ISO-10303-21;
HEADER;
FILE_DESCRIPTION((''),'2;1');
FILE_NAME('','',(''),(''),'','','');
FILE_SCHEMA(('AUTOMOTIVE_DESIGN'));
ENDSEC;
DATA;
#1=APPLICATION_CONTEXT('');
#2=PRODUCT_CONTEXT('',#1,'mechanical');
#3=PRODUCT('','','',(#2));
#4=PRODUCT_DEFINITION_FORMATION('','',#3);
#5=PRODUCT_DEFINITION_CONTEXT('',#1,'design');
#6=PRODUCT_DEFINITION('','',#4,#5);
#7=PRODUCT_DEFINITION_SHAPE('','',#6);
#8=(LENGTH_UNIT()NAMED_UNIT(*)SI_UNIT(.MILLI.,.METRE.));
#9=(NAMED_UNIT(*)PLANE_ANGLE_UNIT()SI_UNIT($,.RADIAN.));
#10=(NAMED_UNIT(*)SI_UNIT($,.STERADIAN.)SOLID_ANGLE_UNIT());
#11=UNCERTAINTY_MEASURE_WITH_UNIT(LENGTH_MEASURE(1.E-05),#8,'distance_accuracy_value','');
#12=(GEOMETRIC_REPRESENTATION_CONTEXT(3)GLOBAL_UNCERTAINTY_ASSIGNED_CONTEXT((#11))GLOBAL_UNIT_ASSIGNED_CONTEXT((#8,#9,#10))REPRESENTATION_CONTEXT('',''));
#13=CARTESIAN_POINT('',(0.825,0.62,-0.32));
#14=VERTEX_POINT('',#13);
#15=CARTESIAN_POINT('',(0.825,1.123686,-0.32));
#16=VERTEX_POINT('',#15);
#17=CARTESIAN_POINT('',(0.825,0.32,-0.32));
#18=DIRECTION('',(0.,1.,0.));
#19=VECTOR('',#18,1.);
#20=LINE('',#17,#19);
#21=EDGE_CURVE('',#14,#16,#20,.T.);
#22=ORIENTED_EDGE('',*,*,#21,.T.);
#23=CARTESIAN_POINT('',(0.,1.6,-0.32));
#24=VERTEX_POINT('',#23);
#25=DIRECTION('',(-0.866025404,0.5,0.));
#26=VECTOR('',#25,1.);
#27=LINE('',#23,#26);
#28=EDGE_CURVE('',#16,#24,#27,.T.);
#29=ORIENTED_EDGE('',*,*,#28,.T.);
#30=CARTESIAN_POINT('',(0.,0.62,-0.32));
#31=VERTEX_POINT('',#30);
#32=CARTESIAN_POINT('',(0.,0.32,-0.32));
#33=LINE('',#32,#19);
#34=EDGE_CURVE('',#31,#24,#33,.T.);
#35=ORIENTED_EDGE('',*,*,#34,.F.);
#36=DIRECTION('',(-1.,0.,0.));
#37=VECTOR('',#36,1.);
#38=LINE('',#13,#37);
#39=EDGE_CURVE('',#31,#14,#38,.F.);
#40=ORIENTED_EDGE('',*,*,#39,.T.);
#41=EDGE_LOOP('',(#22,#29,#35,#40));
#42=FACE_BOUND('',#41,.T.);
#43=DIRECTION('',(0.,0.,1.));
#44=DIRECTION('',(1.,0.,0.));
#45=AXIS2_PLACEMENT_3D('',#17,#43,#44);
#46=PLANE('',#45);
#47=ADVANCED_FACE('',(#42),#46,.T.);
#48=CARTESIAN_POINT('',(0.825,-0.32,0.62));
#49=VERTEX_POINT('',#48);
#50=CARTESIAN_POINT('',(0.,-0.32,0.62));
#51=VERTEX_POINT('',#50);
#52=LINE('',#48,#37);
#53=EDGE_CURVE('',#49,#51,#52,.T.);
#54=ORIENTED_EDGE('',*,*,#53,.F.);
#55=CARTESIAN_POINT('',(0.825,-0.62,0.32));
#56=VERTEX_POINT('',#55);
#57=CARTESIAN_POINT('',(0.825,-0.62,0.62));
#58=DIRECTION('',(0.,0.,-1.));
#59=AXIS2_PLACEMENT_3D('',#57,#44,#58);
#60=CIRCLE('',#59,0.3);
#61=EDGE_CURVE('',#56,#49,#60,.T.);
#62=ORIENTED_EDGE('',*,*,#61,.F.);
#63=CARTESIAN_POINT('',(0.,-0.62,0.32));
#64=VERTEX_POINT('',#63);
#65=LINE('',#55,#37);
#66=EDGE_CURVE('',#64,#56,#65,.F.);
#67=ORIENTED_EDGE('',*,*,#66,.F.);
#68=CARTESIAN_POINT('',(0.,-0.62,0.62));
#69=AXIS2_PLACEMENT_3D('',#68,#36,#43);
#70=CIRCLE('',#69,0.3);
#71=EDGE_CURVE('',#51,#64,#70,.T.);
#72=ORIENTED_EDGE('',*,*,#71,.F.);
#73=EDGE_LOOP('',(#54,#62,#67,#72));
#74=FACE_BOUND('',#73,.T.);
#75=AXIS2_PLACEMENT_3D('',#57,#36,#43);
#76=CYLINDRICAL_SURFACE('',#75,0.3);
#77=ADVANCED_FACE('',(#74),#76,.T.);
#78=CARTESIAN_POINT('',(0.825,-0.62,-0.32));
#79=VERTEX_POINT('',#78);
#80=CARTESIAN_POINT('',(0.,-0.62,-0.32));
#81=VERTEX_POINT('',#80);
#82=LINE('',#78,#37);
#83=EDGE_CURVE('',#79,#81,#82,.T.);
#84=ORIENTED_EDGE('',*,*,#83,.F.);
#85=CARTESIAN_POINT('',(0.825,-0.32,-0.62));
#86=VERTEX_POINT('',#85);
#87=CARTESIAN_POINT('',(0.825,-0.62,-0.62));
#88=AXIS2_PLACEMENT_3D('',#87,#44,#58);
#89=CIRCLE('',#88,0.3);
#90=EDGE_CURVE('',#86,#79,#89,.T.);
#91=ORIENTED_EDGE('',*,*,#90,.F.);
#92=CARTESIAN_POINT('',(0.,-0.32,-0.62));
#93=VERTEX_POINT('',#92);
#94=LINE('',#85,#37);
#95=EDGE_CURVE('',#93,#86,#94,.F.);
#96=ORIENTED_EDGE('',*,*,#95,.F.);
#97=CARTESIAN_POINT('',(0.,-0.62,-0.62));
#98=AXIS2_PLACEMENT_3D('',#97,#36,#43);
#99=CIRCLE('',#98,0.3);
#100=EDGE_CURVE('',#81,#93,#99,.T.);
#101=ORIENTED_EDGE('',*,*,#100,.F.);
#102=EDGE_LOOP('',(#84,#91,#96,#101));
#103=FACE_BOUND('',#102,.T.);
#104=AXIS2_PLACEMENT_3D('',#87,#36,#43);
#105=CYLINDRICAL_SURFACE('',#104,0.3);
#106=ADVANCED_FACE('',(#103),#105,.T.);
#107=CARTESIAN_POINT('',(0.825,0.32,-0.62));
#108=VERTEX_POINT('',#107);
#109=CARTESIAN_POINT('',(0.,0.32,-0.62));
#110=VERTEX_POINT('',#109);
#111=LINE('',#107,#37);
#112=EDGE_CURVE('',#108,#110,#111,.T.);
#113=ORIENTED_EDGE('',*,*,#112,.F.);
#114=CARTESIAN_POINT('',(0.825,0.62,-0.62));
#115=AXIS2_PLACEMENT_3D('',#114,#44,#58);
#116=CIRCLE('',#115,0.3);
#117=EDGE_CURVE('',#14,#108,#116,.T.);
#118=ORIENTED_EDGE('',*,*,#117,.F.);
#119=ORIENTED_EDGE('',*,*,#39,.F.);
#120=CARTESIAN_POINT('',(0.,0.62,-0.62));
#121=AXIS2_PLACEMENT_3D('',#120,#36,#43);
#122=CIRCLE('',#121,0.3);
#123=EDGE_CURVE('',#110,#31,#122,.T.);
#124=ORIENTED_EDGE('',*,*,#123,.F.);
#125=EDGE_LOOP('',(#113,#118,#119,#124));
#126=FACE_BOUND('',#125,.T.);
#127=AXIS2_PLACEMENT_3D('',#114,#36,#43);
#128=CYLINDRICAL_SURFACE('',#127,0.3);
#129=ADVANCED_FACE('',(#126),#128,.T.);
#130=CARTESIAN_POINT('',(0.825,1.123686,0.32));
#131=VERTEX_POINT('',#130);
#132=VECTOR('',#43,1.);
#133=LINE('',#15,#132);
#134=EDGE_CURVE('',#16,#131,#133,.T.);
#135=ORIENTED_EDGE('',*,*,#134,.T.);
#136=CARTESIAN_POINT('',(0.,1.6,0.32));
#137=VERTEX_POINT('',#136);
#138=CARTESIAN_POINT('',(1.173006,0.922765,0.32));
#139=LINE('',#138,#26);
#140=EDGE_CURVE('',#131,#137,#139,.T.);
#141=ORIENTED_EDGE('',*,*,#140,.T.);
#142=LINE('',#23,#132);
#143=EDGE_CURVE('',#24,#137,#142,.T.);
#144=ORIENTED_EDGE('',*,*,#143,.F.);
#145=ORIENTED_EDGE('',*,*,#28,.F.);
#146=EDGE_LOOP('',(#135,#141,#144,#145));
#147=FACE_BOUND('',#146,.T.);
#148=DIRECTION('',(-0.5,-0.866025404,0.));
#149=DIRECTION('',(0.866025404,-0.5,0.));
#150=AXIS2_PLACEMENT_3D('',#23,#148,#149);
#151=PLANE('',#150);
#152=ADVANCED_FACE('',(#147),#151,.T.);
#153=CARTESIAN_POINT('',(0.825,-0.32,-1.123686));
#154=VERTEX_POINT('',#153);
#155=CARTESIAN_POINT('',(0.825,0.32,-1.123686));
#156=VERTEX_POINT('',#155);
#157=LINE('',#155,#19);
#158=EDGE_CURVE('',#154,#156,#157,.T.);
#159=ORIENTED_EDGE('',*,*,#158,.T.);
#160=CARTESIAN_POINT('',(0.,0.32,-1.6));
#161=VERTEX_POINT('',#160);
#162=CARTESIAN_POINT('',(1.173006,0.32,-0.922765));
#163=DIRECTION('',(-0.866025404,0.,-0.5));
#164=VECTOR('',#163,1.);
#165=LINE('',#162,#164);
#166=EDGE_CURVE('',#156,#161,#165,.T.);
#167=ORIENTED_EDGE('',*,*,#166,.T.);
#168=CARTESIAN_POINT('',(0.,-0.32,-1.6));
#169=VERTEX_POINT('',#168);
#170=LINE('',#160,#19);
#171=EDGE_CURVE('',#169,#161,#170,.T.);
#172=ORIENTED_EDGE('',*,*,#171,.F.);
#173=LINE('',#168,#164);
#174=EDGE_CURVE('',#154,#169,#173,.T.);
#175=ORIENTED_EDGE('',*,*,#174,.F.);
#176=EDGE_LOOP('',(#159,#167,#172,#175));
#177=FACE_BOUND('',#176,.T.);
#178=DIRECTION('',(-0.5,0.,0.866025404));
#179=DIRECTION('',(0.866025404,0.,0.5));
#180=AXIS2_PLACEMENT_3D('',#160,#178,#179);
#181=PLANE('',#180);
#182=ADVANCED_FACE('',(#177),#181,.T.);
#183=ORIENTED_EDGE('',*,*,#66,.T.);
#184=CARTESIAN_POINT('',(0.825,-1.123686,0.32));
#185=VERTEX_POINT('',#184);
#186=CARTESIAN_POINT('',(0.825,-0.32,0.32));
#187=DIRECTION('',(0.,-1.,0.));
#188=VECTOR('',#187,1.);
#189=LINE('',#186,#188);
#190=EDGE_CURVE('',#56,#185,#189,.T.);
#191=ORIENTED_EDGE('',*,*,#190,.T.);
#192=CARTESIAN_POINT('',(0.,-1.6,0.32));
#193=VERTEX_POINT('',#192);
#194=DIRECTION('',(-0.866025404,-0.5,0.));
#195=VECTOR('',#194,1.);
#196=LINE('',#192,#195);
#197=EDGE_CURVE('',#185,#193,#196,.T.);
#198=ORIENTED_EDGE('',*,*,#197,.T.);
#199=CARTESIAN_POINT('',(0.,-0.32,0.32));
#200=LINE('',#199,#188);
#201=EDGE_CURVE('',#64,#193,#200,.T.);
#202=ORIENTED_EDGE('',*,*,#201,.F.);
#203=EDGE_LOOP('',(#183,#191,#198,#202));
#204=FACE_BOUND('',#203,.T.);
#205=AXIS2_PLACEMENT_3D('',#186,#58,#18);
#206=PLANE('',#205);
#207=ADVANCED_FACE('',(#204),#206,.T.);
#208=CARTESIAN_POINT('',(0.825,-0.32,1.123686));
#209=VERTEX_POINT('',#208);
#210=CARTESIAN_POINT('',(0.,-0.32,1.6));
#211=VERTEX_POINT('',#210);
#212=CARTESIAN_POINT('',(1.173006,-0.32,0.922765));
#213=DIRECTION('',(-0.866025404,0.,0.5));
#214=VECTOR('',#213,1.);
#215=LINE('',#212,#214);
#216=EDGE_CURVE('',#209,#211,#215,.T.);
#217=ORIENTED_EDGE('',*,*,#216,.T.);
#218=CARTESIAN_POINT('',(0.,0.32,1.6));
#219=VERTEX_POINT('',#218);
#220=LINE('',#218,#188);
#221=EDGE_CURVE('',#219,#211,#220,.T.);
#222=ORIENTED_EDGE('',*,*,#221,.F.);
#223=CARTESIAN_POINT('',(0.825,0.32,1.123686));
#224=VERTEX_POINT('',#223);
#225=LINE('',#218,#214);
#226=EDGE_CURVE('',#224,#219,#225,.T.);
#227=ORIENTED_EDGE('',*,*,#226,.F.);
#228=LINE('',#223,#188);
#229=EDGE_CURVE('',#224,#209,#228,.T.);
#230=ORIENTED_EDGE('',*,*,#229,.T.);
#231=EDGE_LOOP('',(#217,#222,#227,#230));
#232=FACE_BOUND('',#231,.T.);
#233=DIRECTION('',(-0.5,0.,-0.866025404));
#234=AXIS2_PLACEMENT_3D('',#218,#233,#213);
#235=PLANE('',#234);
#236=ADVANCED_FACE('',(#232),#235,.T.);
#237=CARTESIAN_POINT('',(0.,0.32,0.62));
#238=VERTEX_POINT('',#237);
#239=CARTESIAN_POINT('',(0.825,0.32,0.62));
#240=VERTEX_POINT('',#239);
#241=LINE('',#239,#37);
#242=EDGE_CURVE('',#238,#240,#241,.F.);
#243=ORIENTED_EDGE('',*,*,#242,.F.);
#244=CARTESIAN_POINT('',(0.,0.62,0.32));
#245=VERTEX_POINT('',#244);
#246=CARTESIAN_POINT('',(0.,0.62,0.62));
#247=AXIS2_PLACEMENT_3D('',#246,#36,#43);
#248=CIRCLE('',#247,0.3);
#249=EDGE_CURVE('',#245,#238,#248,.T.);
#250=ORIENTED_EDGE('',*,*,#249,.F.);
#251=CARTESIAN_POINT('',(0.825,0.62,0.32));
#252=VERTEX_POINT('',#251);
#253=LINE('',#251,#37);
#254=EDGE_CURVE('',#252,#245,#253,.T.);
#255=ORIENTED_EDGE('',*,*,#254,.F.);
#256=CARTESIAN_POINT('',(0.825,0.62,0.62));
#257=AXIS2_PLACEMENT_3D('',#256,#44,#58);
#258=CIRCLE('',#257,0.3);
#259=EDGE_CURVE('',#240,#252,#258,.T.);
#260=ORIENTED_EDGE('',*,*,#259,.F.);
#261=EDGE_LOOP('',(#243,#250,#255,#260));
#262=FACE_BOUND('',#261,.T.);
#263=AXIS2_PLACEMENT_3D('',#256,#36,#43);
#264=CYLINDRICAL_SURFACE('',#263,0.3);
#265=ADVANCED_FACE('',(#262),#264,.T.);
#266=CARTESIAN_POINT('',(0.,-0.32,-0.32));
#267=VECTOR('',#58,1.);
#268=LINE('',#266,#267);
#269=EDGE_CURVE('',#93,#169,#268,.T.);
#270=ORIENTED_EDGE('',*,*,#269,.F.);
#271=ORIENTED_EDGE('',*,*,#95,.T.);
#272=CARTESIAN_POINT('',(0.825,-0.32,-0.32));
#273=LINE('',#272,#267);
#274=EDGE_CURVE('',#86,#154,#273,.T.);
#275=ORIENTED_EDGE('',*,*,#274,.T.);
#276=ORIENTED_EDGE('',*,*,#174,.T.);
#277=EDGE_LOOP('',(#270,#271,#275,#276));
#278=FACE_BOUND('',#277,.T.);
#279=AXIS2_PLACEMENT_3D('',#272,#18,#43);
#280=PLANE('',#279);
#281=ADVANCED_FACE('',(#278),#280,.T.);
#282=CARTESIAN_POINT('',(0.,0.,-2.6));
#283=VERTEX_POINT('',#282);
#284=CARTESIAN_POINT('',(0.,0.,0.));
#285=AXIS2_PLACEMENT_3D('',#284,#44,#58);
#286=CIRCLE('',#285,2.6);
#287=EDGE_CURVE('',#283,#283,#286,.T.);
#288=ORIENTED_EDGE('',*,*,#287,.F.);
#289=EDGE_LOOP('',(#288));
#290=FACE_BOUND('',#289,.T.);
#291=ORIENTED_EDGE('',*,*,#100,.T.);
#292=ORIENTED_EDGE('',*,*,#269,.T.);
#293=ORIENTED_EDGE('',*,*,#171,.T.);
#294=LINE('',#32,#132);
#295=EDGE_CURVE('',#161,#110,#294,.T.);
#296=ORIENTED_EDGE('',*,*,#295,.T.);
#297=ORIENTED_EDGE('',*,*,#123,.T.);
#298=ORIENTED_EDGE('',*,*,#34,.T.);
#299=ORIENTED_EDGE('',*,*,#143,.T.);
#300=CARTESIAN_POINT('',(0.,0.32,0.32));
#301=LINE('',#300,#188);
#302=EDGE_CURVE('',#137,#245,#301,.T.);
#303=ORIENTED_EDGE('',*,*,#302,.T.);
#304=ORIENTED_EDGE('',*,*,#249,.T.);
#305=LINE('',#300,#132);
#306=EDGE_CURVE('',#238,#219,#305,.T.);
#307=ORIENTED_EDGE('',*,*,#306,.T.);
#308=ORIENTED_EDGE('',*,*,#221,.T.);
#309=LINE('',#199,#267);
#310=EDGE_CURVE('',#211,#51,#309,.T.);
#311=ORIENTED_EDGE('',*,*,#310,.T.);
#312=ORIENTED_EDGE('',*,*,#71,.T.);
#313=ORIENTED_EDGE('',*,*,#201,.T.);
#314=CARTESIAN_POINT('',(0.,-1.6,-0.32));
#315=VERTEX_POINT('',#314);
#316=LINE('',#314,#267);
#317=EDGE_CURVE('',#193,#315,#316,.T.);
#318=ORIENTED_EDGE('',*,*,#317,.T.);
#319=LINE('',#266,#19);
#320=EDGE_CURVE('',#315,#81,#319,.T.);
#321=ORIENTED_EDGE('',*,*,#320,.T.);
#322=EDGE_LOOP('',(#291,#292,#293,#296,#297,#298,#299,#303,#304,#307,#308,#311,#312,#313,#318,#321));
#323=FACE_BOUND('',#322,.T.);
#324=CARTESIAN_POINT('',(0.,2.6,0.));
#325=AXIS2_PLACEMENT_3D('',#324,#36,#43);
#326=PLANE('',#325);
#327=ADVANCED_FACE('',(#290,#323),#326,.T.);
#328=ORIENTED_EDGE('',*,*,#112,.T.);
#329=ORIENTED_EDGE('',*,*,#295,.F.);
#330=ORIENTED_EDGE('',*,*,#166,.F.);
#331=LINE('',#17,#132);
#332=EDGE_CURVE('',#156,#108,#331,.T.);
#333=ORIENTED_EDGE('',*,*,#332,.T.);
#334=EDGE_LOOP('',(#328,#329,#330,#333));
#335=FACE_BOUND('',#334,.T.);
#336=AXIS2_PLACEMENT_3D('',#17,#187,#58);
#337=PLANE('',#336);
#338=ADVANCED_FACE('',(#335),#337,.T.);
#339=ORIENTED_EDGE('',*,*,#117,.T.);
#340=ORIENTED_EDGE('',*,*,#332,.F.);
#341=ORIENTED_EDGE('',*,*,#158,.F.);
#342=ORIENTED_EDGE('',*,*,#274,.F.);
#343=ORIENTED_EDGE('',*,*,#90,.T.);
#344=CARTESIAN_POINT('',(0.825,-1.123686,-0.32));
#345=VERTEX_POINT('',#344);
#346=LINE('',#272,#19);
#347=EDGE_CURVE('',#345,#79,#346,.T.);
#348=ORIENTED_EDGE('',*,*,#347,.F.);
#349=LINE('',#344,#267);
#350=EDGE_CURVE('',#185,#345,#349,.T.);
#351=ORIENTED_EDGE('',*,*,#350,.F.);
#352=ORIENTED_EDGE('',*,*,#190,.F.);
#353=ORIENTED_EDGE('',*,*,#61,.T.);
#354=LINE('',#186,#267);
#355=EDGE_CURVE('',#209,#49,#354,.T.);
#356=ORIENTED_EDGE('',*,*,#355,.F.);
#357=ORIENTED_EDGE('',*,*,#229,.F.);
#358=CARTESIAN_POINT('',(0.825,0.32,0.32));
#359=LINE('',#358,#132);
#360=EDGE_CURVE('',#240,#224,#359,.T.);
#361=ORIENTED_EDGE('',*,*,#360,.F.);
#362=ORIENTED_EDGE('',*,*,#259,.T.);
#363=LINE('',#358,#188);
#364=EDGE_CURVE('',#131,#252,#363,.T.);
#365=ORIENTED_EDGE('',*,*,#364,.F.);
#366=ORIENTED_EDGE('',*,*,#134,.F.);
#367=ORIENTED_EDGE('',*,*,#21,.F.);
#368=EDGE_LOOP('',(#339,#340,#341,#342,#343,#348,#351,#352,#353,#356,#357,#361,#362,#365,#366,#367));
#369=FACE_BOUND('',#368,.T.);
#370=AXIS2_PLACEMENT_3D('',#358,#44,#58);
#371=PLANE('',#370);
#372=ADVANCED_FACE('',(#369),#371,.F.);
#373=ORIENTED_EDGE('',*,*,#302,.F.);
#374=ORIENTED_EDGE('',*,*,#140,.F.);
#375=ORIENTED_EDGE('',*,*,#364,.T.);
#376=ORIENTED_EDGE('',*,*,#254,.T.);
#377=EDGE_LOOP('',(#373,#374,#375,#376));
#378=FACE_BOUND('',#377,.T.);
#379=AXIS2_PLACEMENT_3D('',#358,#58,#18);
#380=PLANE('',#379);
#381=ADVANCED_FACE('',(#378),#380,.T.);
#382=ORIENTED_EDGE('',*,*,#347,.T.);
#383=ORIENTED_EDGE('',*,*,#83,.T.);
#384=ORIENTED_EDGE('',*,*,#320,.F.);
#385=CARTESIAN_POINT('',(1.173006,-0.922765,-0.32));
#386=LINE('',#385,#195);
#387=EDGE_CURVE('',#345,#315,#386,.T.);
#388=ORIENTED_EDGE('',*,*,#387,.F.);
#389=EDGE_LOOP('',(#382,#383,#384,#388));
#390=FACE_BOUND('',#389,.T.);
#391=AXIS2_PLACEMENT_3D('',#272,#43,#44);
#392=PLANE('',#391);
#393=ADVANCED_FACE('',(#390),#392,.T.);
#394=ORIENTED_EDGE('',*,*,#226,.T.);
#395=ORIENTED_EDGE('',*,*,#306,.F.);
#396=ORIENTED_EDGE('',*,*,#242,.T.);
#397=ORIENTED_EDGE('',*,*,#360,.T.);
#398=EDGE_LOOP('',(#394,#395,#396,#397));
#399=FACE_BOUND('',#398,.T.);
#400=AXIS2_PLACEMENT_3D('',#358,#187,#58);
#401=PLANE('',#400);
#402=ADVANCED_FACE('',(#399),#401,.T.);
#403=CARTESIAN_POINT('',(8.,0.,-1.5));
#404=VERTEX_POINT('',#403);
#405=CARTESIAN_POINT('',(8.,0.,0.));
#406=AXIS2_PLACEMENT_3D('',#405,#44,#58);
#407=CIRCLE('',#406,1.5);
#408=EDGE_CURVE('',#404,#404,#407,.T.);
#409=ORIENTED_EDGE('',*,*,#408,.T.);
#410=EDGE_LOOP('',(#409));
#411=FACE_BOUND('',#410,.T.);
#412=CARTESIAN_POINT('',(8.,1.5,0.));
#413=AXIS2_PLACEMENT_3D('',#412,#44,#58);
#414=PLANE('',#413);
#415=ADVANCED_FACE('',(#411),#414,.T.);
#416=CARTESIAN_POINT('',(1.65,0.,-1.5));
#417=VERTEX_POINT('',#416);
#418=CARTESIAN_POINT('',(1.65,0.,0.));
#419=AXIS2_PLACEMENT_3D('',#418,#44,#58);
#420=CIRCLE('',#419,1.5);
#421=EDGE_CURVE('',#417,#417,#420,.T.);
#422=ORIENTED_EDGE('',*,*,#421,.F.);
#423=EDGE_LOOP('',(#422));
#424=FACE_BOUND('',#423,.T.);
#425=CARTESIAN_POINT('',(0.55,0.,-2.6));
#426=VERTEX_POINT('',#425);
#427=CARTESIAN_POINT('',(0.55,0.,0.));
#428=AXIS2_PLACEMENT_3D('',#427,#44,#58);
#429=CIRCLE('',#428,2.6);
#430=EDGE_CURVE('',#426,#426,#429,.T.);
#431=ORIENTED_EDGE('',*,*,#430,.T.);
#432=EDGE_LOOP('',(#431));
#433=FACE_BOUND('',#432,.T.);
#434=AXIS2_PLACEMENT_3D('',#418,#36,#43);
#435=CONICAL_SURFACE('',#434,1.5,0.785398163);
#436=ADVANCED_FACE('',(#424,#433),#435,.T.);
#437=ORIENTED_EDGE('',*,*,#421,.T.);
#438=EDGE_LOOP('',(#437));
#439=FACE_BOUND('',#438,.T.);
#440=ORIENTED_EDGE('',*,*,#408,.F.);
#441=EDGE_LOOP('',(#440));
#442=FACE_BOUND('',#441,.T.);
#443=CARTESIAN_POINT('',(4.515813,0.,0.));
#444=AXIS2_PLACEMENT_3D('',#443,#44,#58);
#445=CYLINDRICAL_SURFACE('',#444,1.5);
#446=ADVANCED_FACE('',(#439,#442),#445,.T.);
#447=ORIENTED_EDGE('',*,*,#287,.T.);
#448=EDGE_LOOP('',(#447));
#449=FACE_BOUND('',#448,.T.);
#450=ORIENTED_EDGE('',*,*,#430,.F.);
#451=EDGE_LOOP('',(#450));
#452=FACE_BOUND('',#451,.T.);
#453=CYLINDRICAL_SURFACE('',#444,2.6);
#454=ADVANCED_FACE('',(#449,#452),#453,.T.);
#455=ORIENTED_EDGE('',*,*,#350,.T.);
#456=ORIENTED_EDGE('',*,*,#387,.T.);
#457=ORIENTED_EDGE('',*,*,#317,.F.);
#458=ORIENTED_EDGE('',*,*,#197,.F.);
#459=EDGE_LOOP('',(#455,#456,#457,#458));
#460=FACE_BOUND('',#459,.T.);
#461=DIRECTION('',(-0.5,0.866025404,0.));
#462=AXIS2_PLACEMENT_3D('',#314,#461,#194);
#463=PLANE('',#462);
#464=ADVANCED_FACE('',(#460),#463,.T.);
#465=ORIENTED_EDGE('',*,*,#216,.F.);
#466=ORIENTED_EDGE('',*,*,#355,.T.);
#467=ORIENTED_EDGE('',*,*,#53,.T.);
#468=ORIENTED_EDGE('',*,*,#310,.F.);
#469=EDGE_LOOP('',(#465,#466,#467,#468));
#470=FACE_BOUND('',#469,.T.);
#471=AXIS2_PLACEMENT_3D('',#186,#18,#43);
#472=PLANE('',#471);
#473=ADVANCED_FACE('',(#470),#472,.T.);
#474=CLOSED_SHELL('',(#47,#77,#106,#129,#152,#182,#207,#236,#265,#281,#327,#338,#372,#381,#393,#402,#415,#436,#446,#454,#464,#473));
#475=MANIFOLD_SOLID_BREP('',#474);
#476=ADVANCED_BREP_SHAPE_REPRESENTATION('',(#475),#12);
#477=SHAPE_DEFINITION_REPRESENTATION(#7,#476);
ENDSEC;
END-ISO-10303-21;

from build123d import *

# Parameters (mm, degrees)
CROSSRECESS_DEPTH = 0.825
DRAFT9_ANGLE      = 30
FILLET5_R         = 0.3


with BuildPart() as part:
    # Sketch1 → Base (revolve)
    with BuildSketch(Plane.XY, mode=Mode.PRIVATE) as base_sk:
        Polygon((8, 1.5), (2.65, 1.5), (1.65, 1.5), (0.55, 2.6), (0, 2.6), (0, 0), (8, 0), align=None)
    revolve(base_sk.sketch.rotate(Axis((4.515812911, 0, 0), (-1, 0, 0)), 90), axis=Axis((4.515812911, 0, 0), (-1, 0, 0)))

    # Sketch6 → CrossRecess (cut)
    with BuildSketch(Plane(origin=(0, 0, 0), x_dir=(0, 0, -1), z_dir=(1, 0, 0))):
        Polygon((0.32, 0.32), (0.32, 1.6), (-0.32, 1.6), (-0.32, 0.32), (-1.6, 0.32), (-1.6, -0.32), (-0.32, -0.32), (-0.32, -1.6), (0.32, -1.6), (0.32, -0.32), (1.6, -0.32), (1.6, 0.32), align=None)
    extrude(amount=CROSSRECESS_DEPTH, mode=Mode.SUBTRACT)

    # Draft9
    draft9_faces = [part.faces().sort_by_distance(p)[0] for p in [
        (0.4125, 1.6, 0),
        (0.4125, 0, 1.6),
        (0.4125, -1.6, 0),
        (0.4125, 0, -1.6),
    ]]
    draft(draft9_faces, Plane(origin=(0, 2.6, 0), x_dir=(0, 0, -1), z_dir=(-1, 0, 0)), DRAFT9_ANGLE)

    # Fillet5
    fillet5_edges = [part.edges().sort_by_distance(p)[0] for p in [
        (0.4125, 0.32, 0.32),
        (0.4125, -0.32, 0.32),
        (0.4125, -0.32, -0.32),
        (0.4125, 0.32, -0.32),
    ]]
    fillet(fillet5_edges, radius=FILLET5_R)


solid = part.part
